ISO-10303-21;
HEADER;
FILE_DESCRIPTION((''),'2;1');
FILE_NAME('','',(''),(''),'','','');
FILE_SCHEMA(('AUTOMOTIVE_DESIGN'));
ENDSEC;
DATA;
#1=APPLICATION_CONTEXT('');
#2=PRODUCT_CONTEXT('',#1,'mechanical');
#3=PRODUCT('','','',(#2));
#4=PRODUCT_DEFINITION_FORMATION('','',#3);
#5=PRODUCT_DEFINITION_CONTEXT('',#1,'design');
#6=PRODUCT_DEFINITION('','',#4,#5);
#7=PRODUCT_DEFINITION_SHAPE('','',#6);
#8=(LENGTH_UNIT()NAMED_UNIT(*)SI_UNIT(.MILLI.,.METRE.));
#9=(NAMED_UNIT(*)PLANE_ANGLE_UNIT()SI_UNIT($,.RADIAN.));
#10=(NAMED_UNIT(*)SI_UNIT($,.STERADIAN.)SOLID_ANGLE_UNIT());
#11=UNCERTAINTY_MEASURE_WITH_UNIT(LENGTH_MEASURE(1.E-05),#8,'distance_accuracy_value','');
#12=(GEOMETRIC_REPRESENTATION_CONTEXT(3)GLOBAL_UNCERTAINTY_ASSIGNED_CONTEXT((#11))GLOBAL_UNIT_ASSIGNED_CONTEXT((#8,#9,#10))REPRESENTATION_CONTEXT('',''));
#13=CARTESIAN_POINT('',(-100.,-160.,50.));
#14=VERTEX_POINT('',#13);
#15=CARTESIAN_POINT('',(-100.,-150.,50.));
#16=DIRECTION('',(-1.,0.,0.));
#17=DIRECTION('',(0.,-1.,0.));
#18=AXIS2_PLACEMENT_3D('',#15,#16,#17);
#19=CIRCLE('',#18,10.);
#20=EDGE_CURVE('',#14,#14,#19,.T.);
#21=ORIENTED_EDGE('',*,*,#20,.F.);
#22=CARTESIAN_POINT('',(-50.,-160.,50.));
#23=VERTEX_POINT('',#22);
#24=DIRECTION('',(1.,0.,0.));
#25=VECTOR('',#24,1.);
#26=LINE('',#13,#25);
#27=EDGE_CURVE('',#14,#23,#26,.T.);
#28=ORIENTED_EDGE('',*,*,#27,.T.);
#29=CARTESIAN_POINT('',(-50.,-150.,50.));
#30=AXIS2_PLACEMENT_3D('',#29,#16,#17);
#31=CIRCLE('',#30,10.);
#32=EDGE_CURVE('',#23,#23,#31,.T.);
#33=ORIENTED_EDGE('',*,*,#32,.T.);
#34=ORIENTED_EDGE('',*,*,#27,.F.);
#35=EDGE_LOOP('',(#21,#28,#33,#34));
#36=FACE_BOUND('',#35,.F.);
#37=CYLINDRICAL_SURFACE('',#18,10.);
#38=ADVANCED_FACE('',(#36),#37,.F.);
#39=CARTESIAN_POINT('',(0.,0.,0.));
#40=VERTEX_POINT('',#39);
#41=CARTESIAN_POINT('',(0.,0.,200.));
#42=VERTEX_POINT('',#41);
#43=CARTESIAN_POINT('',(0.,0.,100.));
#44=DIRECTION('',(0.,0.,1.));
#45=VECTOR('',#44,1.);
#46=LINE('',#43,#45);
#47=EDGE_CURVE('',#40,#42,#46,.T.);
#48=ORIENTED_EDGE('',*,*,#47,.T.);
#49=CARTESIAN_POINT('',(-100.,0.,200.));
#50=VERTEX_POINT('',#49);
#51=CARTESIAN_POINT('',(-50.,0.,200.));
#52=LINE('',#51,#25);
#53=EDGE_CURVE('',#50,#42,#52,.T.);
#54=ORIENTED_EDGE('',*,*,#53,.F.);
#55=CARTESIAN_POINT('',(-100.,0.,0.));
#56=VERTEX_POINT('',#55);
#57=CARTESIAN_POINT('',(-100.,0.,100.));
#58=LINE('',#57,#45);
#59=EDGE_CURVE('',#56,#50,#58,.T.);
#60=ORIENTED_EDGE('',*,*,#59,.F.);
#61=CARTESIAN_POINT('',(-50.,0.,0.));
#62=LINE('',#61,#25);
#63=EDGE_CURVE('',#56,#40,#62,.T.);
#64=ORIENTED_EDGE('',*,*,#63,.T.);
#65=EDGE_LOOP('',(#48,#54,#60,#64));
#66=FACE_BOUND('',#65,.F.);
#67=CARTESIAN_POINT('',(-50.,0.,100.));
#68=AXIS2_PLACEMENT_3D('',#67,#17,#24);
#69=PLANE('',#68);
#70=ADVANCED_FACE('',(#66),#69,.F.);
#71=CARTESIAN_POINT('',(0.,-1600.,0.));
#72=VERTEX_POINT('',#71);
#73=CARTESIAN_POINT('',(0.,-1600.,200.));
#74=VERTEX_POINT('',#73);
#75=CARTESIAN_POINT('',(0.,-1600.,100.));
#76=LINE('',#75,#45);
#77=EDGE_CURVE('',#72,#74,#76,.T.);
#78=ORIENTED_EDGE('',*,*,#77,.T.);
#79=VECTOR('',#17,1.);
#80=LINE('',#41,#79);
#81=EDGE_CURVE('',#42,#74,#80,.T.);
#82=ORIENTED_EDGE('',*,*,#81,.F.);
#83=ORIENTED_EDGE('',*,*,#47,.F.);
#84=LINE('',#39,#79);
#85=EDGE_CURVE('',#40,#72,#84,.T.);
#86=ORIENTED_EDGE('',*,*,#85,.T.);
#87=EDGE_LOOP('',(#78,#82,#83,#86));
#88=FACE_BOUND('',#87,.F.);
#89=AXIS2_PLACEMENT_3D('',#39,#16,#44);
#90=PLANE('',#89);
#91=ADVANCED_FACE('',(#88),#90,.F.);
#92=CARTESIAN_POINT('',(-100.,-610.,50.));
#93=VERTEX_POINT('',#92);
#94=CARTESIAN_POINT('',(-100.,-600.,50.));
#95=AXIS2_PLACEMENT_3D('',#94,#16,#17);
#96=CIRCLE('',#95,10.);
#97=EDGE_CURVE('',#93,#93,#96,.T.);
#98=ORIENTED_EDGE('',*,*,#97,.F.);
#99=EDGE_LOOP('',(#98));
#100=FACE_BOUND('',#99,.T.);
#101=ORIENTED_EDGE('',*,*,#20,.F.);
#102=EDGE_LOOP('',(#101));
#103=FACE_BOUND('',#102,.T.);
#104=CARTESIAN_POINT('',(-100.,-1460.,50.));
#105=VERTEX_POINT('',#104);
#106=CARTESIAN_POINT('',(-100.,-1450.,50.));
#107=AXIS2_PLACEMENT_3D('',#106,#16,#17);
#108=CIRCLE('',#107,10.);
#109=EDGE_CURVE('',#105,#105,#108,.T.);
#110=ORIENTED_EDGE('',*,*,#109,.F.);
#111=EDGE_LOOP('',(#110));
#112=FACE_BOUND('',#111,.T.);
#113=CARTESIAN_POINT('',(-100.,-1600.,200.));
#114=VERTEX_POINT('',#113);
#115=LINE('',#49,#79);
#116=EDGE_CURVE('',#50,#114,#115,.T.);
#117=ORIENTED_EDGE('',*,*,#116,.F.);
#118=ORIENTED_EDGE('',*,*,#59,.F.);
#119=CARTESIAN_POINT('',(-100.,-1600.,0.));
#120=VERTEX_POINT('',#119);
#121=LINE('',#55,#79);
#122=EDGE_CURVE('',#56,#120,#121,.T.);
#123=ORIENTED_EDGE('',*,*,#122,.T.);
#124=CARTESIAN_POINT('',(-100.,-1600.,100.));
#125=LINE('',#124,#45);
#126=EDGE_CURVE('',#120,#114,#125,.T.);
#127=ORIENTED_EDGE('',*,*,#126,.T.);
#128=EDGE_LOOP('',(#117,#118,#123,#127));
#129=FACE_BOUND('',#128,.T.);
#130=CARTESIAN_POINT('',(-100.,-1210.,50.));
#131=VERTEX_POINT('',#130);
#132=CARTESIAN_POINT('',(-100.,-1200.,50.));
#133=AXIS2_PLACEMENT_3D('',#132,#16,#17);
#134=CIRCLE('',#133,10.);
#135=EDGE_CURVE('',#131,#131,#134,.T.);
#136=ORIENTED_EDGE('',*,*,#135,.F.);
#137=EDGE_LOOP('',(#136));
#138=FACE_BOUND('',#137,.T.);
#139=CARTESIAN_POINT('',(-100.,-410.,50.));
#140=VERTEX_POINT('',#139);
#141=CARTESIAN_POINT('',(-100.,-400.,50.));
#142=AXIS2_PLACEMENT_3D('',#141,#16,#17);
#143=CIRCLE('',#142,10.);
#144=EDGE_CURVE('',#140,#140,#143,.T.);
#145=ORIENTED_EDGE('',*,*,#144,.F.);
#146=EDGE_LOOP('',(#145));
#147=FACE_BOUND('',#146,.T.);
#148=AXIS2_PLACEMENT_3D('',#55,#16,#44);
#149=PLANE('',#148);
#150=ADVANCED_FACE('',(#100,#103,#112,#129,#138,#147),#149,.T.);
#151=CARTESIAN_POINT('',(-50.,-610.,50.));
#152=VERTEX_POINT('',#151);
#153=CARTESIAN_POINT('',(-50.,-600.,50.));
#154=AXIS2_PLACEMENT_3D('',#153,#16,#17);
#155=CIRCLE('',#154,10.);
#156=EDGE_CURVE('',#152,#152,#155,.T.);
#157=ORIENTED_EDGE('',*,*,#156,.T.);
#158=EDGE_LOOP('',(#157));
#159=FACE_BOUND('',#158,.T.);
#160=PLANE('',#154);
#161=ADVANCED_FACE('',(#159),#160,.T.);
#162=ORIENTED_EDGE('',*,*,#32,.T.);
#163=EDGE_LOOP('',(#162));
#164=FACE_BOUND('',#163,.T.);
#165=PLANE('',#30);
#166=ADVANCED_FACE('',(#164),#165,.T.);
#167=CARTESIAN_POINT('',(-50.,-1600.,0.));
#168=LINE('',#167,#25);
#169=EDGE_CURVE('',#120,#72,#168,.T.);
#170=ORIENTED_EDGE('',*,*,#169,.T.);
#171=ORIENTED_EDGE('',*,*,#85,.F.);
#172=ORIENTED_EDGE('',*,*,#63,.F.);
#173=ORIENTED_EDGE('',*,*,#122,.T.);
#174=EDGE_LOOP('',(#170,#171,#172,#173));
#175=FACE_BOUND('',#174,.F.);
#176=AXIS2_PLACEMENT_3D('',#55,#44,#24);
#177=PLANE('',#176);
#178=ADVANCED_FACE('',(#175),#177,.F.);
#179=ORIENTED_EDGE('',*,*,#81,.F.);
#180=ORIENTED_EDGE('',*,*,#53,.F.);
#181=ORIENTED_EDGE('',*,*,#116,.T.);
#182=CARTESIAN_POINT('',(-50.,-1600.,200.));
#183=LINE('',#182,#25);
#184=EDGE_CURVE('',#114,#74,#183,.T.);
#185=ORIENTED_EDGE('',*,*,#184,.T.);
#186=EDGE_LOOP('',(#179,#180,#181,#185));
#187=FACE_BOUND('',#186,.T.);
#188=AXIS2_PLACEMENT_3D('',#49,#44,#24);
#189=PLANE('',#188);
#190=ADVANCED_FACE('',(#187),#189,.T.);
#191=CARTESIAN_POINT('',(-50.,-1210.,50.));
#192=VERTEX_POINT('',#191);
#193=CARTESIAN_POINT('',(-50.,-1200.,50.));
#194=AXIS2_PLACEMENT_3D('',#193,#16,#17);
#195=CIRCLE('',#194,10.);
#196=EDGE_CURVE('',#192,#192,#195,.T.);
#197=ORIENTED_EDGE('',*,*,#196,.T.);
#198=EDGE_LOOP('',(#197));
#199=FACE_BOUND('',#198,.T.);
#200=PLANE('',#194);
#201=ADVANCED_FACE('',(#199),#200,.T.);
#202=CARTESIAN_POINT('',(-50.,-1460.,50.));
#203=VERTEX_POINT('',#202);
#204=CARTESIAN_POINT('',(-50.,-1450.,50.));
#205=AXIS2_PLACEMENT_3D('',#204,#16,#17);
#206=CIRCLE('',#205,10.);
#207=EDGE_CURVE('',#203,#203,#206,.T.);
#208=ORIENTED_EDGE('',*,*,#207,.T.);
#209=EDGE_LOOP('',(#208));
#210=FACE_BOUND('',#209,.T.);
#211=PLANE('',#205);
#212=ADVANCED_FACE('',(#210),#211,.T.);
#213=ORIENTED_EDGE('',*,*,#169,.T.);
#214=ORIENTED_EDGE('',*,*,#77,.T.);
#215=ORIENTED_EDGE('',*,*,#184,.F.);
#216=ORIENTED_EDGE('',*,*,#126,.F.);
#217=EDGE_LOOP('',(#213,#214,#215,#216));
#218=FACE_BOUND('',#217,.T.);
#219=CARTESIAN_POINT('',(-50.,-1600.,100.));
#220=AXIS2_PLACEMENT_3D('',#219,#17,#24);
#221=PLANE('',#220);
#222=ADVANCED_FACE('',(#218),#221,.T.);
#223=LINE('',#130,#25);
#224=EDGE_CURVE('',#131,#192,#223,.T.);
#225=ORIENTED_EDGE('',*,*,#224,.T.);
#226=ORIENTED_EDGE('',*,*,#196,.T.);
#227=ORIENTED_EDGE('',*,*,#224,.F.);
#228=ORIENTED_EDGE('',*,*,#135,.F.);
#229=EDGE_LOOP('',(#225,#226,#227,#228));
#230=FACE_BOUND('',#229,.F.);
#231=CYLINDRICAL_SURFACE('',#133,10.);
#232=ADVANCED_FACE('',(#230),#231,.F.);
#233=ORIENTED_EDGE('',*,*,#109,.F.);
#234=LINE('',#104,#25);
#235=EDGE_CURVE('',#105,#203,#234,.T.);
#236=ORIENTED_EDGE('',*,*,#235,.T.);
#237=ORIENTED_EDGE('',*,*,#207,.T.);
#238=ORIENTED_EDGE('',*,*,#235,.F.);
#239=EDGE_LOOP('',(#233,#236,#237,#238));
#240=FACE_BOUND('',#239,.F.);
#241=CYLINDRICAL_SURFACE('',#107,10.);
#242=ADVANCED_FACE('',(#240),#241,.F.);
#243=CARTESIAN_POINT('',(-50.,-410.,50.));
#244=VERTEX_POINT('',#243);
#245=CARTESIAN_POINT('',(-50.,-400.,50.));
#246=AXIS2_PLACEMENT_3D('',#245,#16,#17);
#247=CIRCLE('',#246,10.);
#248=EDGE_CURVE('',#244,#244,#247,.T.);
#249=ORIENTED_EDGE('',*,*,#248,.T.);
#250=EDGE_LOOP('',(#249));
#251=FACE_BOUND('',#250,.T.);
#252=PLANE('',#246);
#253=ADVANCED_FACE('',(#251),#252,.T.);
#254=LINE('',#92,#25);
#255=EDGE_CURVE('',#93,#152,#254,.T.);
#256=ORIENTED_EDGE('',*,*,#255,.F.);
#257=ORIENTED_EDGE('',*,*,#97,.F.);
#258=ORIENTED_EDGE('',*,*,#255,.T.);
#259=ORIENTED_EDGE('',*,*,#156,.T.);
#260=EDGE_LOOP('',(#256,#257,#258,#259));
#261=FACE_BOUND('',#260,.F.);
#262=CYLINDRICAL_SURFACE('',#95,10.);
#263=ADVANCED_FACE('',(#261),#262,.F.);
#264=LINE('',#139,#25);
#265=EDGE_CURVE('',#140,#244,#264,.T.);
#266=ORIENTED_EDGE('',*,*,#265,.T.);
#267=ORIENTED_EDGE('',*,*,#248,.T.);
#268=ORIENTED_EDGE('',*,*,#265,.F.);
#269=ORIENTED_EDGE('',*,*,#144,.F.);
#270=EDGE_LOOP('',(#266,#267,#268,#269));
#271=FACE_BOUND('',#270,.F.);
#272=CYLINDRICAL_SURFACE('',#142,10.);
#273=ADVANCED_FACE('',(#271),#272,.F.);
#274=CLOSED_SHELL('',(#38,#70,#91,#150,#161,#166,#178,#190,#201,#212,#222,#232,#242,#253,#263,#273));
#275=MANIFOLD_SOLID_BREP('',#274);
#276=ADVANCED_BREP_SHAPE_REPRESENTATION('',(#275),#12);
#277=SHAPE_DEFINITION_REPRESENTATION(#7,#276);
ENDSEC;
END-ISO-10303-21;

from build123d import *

# Parameters (mm, degrees)
F0_W     = 100
F0_H     = 200
F1_DEPTH = 1600
F2_R     = 10
F3_DEPTH = 50


with BuildPart() as f1:
    # F0 (on Front) → F1 (new body)
    with BuildSketch(Plane.XZ):
        with Locations((-50, 100)):
            Rectangle(F0_W, F0_H)
    extrude(amount=F1_DEPTH)

    # F2 (on face) → F3 (cut)
    with BuildSketch(Plane(origin=(-100, 0, 0), x_dir=(0, -1, 0), z_dir=(-1, 0, 0))):
        with Locations((150, 50)):
            Circle(F2_R)
        with Locations((400, 50)):
            Circle(F2_R)
        with Locations((600, 50)):
            Circle(F2_R)
        with Locations((1200, 50)):
            Circle(F2_R)
        with Locations((1450, 50)):
            Circle(F2_R)
    extrude(amount=-F3_DEPTH, mode=Mode.SUBTRACT)


solid = f1.part
